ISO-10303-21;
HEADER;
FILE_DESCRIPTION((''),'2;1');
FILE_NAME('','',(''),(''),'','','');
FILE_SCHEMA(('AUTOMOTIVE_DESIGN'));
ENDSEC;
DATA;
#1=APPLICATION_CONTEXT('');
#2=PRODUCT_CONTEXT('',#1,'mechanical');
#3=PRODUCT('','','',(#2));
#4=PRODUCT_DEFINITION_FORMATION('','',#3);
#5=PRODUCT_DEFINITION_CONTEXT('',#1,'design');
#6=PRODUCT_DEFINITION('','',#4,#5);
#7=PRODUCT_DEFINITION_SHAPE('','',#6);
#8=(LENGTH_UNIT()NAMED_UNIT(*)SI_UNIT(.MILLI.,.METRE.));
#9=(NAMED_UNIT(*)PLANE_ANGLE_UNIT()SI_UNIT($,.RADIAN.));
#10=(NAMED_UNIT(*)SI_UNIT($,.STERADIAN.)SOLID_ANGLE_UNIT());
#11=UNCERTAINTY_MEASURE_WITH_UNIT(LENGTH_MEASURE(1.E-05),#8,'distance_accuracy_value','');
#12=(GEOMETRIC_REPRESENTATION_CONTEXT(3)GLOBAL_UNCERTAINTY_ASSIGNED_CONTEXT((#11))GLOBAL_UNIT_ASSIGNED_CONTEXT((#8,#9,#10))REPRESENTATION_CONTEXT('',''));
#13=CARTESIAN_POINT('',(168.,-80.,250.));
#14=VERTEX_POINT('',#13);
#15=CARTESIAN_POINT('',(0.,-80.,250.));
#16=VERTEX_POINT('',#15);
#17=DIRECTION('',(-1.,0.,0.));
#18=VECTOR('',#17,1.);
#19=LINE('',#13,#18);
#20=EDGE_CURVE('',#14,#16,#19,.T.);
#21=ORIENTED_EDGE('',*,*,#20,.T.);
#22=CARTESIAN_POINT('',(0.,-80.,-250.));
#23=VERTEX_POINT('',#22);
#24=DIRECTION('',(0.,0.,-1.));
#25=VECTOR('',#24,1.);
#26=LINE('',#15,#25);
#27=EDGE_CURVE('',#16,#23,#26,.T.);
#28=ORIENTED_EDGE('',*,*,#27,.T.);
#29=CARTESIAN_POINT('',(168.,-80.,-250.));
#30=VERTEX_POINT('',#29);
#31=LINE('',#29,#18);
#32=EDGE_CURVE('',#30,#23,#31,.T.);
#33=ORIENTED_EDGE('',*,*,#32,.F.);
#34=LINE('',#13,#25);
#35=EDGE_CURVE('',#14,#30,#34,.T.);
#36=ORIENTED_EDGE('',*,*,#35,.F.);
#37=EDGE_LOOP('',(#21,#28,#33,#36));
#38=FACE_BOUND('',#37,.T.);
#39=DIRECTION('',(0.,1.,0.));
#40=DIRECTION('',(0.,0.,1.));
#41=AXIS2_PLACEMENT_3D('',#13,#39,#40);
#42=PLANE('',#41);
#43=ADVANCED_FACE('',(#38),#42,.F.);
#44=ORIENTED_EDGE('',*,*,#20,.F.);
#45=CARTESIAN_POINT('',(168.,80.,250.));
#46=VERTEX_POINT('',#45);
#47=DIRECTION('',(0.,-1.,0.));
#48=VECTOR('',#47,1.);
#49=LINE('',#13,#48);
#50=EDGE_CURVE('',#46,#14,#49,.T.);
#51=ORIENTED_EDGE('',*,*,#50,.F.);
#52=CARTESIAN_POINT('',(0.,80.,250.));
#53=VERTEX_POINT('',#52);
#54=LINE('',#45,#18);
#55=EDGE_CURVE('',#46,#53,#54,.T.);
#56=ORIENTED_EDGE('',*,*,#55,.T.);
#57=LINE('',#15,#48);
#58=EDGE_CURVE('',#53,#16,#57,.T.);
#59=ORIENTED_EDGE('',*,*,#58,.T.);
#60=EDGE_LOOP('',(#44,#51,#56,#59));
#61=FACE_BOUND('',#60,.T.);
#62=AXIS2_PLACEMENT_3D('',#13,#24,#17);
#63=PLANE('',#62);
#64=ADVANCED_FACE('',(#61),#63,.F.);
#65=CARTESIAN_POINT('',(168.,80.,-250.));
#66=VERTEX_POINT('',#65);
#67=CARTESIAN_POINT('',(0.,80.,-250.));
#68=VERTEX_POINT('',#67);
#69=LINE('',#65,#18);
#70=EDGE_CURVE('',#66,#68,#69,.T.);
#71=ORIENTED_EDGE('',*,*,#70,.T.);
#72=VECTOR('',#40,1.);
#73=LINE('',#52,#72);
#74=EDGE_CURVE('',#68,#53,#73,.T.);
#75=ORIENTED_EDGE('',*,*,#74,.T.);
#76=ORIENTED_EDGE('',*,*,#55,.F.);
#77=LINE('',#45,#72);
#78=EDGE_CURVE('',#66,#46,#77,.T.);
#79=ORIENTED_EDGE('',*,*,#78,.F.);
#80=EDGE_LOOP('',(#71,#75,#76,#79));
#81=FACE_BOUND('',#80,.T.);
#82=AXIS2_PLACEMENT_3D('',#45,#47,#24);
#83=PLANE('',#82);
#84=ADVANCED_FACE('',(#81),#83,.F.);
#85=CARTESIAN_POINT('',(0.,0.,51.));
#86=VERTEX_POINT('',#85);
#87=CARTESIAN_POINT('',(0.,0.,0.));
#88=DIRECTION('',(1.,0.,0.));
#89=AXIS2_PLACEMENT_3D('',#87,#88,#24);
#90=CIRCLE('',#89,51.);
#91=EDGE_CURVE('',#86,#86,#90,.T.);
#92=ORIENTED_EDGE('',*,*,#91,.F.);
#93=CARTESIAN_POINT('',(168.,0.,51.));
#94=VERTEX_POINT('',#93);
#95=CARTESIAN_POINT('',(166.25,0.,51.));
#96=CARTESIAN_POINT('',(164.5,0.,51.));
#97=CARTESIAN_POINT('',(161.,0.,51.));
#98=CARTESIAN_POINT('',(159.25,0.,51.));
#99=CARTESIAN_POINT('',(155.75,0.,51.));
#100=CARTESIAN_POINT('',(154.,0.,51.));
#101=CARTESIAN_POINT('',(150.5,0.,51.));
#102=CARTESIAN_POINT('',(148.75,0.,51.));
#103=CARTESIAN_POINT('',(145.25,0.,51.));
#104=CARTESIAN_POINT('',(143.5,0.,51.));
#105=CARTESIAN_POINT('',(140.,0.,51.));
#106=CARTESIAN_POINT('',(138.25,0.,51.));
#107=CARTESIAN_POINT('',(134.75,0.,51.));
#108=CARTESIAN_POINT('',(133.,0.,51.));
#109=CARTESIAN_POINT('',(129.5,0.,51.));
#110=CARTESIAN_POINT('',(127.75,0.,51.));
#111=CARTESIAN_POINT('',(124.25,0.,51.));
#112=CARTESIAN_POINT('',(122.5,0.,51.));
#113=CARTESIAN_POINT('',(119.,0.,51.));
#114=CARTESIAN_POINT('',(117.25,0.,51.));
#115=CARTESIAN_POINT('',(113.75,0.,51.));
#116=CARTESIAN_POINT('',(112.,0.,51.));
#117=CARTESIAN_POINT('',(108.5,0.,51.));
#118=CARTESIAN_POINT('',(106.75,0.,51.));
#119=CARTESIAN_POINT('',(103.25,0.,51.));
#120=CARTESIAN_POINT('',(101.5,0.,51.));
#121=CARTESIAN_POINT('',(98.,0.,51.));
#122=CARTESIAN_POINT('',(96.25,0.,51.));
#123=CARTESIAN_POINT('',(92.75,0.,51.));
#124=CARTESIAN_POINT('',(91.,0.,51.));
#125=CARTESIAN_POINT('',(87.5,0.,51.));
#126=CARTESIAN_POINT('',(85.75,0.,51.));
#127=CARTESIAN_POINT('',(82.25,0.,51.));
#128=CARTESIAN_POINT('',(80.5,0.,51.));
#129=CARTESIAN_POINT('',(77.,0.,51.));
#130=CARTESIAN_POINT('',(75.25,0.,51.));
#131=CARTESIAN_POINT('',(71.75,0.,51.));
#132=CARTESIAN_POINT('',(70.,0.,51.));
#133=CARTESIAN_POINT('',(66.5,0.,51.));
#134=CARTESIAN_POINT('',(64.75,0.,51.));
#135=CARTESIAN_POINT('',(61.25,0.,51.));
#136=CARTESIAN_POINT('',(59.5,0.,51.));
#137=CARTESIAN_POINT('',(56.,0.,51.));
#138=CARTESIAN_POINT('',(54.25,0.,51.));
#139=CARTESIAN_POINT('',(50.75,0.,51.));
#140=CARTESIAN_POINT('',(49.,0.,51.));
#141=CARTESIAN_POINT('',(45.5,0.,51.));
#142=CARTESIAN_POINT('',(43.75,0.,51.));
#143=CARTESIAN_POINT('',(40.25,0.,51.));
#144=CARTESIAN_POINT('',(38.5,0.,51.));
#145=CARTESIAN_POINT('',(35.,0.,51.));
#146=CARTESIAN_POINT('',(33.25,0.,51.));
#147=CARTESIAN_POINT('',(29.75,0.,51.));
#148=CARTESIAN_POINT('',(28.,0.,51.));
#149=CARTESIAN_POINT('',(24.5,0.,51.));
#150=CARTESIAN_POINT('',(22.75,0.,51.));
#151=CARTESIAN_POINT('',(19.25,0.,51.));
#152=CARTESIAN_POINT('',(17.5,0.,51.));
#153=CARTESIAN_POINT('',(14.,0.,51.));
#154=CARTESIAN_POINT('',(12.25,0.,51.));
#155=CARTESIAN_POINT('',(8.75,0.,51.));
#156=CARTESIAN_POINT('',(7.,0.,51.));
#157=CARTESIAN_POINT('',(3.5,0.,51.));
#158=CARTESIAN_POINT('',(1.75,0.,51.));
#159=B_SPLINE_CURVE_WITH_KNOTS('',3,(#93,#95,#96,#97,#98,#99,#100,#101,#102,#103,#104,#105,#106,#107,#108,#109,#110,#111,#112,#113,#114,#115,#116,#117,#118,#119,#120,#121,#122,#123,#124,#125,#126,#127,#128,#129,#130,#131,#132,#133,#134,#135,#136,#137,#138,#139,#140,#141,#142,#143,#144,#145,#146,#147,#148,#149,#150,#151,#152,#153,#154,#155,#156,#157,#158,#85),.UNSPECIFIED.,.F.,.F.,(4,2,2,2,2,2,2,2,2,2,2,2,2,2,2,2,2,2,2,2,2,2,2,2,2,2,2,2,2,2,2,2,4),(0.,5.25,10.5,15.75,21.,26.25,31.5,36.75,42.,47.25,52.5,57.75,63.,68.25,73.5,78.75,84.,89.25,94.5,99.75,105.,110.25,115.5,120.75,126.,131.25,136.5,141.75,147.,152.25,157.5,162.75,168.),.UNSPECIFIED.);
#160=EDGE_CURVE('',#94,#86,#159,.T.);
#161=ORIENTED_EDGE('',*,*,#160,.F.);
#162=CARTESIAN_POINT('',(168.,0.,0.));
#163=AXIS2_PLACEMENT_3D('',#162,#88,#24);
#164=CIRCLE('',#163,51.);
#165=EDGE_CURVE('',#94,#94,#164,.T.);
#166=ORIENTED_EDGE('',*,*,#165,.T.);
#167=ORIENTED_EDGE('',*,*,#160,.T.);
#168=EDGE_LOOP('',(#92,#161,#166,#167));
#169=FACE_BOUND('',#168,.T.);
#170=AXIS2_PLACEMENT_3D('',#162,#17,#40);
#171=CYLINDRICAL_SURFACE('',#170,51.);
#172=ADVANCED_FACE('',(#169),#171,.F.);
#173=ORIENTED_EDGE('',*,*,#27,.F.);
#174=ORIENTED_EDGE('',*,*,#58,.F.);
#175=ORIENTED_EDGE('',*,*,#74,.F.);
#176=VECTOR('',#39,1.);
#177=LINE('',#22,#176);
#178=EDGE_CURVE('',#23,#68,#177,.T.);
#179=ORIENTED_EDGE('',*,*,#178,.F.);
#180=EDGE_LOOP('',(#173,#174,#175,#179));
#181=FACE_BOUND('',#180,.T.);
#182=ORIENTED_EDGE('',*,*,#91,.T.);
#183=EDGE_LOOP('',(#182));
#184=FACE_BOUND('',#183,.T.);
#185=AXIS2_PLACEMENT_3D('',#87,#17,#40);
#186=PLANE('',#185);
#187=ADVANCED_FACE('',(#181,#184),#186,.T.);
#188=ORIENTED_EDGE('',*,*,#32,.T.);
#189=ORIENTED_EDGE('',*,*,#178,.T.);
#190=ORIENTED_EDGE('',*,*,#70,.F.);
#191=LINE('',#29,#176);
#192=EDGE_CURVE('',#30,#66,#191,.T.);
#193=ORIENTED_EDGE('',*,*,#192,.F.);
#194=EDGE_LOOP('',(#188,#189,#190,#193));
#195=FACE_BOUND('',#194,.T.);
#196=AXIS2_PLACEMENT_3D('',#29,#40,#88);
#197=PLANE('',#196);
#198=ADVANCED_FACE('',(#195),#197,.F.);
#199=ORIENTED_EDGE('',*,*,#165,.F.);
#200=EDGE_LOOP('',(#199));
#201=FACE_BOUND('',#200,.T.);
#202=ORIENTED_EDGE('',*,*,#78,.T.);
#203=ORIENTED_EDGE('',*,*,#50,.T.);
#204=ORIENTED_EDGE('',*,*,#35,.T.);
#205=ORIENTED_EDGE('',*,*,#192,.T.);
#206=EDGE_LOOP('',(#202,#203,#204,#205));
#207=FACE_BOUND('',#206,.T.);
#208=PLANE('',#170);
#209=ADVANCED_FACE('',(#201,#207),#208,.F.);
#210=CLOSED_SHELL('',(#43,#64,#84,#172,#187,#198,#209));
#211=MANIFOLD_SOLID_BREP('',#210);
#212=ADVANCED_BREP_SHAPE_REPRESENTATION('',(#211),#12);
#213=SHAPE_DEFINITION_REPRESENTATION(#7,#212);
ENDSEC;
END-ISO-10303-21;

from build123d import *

# Parameters (mm, degrees)
SKETCH_1_W      = 500
SKETCH_1_H      = 160
SKETCH_1_R      = 51
EXTRUDE_1_DEPTH = 168


with BuildPart() as part:
    # 草图1 → 凸台-拉伸1 (new body)
    with BuildSketch(Plane(origin=(0, 0, 0), x_dir=(0, 0, -1), z_dir=(1, 0, 0))):
        Rectangle(SKETCH_1_W, SKETCH_1_H)
        with Locations(Location((0, 0, 0), (0, 0, 180))):
            Circle(SKETCH_1_R, mode=Mode.SUBTRACT)
    extrude(amount=EXTRUDE_1_DEPTH)


solid = part.part
